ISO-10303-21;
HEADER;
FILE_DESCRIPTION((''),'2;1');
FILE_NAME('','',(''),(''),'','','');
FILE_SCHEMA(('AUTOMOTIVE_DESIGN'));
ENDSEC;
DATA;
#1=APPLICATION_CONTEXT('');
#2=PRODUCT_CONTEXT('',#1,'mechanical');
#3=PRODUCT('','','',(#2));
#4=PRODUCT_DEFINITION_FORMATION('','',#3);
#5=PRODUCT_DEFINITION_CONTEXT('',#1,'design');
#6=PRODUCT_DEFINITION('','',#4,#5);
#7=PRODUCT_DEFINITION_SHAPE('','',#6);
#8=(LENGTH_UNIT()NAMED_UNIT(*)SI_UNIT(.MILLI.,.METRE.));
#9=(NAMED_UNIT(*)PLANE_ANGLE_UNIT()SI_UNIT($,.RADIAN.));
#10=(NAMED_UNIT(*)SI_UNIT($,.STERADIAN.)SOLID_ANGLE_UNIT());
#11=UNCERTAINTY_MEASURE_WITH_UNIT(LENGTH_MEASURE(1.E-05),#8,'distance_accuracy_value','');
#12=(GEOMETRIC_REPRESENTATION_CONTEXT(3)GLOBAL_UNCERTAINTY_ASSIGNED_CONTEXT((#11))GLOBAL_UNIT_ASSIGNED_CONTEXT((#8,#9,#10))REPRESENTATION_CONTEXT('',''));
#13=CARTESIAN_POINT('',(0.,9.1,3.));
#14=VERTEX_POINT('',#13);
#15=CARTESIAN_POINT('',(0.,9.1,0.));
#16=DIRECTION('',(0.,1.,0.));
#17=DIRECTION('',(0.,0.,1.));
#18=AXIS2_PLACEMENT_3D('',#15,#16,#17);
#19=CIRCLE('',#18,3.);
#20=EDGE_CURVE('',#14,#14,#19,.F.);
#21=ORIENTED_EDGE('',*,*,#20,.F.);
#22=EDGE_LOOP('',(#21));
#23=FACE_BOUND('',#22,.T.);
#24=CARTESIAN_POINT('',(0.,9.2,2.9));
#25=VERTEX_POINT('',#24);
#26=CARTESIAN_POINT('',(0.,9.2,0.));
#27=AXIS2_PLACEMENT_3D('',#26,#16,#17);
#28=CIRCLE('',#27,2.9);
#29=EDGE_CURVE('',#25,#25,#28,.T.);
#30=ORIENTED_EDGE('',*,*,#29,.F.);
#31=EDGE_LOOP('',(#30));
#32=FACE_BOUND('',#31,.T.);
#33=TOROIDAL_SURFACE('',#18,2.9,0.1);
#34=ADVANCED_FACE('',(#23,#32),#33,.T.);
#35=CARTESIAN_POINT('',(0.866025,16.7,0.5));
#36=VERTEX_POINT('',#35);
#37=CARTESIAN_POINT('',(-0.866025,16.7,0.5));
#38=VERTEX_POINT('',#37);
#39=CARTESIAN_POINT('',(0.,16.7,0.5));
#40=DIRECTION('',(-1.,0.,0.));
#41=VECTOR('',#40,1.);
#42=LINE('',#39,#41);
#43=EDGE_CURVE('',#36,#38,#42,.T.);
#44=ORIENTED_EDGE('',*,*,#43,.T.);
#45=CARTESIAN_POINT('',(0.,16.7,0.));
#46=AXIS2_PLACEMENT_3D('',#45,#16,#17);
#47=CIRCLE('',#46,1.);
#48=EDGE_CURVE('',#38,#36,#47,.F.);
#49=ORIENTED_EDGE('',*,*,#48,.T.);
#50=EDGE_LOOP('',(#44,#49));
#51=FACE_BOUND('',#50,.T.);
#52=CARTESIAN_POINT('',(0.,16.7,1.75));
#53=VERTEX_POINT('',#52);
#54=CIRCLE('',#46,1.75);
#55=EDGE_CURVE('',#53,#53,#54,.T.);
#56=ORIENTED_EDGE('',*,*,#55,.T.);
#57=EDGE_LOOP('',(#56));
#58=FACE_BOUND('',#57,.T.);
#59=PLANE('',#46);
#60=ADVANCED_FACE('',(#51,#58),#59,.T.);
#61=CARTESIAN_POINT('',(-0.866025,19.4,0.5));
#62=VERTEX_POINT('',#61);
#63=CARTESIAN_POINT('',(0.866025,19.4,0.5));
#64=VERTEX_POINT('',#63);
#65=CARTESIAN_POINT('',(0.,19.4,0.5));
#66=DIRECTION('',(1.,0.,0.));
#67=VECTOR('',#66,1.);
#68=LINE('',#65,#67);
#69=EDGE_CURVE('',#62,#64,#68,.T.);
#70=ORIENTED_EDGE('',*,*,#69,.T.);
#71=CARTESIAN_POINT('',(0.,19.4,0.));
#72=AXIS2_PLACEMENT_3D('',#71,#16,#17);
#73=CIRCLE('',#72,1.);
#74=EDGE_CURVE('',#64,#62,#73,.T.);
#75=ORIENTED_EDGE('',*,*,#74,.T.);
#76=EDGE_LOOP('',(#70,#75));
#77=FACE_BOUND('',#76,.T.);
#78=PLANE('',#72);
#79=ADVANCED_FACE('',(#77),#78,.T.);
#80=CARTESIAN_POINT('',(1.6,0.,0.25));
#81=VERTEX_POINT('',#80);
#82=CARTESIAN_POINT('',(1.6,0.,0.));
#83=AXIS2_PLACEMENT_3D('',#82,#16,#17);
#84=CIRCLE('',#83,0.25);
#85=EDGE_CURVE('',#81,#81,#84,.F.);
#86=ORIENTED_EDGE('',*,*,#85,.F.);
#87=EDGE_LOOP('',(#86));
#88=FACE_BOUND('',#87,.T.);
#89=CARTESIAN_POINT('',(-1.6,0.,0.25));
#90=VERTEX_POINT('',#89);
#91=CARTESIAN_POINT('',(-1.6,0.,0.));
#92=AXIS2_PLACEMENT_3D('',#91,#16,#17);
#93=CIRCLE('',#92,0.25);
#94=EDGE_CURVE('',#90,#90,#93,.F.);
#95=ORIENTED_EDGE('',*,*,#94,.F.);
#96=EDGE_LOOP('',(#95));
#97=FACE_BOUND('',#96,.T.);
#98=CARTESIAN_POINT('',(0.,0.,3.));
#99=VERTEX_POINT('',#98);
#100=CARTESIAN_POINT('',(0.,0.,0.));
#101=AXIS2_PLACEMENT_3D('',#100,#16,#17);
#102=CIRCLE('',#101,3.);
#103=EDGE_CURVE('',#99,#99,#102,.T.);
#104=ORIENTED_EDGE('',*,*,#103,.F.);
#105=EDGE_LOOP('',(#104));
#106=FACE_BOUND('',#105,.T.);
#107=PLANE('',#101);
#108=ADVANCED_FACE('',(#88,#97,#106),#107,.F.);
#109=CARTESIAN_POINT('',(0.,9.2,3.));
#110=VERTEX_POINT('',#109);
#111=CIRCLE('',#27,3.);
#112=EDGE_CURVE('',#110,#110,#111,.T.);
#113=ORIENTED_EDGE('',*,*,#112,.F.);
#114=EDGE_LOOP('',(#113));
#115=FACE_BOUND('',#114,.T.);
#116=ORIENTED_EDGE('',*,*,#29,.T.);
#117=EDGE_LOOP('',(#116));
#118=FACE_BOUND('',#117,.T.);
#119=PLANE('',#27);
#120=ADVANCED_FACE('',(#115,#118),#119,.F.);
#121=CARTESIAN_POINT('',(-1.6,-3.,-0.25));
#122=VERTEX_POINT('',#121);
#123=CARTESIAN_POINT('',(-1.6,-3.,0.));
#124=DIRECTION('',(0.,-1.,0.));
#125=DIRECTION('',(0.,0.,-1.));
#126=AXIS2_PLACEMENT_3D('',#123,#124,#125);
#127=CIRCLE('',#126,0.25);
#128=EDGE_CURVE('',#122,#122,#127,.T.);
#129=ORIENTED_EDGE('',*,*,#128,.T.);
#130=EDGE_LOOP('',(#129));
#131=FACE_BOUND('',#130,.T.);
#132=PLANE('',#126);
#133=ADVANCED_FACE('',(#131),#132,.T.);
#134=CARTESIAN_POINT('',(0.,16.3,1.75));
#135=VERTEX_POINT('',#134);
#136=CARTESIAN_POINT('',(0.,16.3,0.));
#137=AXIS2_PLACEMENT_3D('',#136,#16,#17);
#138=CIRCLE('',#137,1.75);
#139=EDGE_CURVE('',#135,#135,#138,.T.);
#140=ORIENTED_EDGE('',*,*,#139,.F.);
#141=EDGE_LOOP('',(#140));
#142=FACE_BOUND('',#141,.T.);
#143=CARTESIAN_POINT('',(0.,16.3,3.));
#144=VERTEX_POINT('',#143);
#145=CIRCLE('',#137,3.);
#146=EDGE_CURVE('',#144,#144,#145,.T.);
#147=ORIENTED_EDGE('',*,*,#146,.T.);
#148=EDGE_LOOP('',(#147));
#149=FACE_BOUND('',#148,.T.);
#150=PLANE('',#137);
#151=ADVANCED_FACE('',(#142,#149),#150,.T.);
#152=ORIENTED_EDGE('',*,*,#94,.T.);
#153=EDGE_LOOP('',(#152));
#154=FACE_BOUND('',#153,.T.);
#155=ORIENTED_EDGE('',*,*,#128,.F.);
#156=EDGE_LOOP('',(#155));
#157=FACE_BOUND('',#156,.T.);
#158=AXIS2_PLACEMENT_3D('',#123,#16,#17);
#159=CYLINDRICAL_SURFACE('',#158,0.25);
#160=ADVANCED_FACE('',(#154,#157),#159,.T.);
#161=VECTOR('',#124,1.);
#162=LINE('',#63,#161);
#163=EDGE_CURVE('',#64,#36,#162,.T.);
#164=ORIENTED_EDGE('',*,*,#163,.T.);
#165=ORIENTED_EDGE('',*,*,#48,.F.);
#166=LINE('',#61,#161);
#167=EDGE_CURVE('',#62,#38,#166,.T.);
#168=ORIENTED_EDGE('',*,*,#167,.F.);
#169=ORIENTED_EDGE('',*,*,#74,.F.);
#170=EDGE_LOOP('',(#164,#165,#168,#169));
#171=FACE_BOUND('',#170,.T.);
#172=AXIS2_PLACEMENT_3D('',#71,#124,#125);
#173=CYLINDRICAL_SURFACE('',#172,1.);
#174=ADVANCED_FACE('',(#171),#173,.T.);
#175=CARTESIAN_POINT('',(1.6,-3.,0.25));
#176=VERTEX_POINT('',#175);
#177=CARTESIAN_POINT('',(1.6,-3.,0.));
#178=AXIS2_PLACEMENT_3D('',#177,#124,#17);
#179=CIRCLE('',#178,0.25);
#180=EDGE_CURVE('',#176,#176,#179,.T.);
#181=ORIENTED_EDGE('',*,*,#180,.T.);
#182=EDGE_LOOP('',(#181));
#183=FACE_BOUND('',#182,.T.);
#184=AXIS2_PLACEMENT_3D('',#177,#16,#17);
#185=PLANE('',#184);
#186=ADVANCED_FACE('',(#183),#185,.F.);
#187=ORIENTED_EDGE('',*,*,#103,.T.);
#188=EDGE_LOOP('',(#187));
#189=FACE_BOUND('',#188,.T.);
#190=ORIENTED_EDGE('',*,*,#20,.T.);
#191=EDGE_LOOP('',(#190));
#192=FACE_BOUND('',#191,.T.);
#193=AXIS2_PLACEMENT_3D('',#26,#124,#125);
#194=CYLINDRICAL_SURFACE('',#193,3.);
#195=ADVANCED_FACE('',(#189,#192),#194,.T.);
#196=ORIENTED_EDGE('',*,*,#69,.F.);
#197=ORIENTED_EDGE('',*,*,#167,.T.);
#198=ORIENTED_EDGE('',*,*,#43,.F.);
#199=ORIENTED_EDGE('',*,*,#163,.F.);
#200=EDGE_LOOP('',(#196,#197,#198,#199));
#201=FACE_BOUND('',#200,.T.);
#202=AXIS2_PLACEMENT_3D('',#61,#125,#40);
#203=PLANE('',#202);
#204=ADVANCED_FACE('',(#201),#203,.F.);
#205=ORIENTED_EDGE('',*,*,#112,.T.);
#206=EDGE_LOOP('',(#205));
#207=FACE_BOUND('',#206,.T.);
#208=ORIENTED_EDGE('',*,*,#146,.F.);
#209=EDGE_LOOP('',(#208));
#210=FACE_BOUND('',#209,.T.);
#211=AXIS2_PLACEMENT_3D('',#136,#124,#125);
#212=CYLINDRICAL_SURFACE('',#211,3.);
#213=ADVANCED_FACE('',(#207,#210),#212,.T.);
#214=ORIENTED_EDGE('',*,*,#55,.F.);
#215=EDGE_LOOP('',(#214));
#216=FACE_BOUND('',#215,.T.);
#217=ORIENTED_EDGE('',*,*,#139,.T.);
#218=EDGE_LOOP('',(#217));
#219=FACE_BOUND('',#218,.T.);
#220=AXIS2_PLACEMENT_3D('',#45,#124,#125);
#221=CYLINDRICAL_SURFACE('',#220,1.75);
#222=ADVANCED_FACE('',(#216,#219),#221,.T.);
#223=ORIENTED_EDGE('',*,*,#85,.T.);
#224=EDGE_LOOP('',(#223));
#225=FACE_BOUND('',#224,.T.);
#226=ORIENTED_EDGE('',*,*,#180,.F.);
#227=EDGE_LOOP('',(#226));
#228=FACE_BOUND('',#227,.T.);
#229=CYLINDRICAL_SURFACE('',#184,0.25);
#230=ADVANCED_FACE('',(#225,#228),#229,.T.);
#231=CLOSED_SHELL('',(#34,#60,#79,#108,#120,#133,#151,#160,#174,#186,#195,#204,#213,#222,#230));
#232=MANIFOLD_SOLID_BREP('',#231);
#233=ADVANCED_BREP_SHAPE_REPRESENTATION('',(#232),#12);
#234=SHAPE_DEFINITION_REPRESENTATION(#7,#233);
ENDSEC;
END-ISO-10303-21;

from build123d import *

# Parameters (mm, degrees)
SKETCH1_R           = 3
BOSS_EXTRUDE1_DEPTH = 9.2
FILLET1_R           = 0.1
SKETCH4_R           = 3
BOSS_EXTRUDE4_DEPTH = 7.1
SKETCH6_R           = 1.75
BOSS_EXTRUDE6_DEPTH = 0.4
BOSS_EXTRUDE5_DEPTH = 3.1
SKETCH7_R           = 0.25
BOSS_EXTRUDE7_DEPTH = 3


with BuildPart() as part:
    # Sketch1 → Boss-Extrude1 (new body)
    with BuildSketch(Plane(origin=(0, 0, 0), x_dir=(1, 0, 0), z_dir=(0, 1, 0))):
        with Locations(Location((0, 0, 0), (0, 0, 270))):
            Circle(SKETCH1_R)
    extrude(amount=BOSS_EXTRUDE1_DEPTH)

    # Fillet1
    fillet1_edges = [part.edges().sort_by_distance(p)[0] for p in [
        (0, 9.2, -3),
    ]]
    fillet(fillet1_edges, radius=FILLET1_R)

    # Sketch4 → Boss-Extrude4 (add)
    with BuildSketch(Plane(origin=(0, 9.2, 0), x_dir=(1, 0, 0), z_dir=(0, 1, 0))):
        with Locations(Location((0, 0, 0), (0, 0, 270))):
            Circle(SKETCH4_R)
    extrude(amount=BOSS_EXTRUDE4_DEPTH)

    # Sketch6 → Boss-Extrude6 (add)
    with BuildSketch(Plane(origin=(0, 16.3, 0), x_dir=(1, 0, 0), z_dir=(0, 1, 0))):
        with Locations(Location((0, 0, 0), (0, 0, 270))):
            Circle(SKETCH6_R)
    extrude(amount=BOSS_EXTRUDE6_DEPTH)

    # Sketch5 → Boss-Extrude5 (add)
    with BuildSketch(Plane(origin=(0, 16.3, 0), x_dir=(1, 0, 0), z_dir=(0, 1, 0))):
        with BuildLine():
            Line((-0.866025404, -0.5), (0, -0.5))
            Line((0, -0.5), (0.866025404, -0.5))
            ThreePointArc((0.866025404, -0.5), (0, 1), (-0.866025404, -0.5))
        make_face()
    extrude(amount=BOSS_EXTRUDE5_DEPTH)

    # Sketch7 → Boss-Extrude7 (add)
    with BuildSketch(Plane.XZ):
        with Locations(Location((-1.6, 0, 0), (0, 0, 90))):
            Circle(SKETCH7_R)
        with Locations(Location((1.6, 0, 0), (0, 0, 90))):
            Circle(SKETCH7_R)
    extrude(amount=BOSS_EXTRUDE7_DEPTH)


solid = part.part
